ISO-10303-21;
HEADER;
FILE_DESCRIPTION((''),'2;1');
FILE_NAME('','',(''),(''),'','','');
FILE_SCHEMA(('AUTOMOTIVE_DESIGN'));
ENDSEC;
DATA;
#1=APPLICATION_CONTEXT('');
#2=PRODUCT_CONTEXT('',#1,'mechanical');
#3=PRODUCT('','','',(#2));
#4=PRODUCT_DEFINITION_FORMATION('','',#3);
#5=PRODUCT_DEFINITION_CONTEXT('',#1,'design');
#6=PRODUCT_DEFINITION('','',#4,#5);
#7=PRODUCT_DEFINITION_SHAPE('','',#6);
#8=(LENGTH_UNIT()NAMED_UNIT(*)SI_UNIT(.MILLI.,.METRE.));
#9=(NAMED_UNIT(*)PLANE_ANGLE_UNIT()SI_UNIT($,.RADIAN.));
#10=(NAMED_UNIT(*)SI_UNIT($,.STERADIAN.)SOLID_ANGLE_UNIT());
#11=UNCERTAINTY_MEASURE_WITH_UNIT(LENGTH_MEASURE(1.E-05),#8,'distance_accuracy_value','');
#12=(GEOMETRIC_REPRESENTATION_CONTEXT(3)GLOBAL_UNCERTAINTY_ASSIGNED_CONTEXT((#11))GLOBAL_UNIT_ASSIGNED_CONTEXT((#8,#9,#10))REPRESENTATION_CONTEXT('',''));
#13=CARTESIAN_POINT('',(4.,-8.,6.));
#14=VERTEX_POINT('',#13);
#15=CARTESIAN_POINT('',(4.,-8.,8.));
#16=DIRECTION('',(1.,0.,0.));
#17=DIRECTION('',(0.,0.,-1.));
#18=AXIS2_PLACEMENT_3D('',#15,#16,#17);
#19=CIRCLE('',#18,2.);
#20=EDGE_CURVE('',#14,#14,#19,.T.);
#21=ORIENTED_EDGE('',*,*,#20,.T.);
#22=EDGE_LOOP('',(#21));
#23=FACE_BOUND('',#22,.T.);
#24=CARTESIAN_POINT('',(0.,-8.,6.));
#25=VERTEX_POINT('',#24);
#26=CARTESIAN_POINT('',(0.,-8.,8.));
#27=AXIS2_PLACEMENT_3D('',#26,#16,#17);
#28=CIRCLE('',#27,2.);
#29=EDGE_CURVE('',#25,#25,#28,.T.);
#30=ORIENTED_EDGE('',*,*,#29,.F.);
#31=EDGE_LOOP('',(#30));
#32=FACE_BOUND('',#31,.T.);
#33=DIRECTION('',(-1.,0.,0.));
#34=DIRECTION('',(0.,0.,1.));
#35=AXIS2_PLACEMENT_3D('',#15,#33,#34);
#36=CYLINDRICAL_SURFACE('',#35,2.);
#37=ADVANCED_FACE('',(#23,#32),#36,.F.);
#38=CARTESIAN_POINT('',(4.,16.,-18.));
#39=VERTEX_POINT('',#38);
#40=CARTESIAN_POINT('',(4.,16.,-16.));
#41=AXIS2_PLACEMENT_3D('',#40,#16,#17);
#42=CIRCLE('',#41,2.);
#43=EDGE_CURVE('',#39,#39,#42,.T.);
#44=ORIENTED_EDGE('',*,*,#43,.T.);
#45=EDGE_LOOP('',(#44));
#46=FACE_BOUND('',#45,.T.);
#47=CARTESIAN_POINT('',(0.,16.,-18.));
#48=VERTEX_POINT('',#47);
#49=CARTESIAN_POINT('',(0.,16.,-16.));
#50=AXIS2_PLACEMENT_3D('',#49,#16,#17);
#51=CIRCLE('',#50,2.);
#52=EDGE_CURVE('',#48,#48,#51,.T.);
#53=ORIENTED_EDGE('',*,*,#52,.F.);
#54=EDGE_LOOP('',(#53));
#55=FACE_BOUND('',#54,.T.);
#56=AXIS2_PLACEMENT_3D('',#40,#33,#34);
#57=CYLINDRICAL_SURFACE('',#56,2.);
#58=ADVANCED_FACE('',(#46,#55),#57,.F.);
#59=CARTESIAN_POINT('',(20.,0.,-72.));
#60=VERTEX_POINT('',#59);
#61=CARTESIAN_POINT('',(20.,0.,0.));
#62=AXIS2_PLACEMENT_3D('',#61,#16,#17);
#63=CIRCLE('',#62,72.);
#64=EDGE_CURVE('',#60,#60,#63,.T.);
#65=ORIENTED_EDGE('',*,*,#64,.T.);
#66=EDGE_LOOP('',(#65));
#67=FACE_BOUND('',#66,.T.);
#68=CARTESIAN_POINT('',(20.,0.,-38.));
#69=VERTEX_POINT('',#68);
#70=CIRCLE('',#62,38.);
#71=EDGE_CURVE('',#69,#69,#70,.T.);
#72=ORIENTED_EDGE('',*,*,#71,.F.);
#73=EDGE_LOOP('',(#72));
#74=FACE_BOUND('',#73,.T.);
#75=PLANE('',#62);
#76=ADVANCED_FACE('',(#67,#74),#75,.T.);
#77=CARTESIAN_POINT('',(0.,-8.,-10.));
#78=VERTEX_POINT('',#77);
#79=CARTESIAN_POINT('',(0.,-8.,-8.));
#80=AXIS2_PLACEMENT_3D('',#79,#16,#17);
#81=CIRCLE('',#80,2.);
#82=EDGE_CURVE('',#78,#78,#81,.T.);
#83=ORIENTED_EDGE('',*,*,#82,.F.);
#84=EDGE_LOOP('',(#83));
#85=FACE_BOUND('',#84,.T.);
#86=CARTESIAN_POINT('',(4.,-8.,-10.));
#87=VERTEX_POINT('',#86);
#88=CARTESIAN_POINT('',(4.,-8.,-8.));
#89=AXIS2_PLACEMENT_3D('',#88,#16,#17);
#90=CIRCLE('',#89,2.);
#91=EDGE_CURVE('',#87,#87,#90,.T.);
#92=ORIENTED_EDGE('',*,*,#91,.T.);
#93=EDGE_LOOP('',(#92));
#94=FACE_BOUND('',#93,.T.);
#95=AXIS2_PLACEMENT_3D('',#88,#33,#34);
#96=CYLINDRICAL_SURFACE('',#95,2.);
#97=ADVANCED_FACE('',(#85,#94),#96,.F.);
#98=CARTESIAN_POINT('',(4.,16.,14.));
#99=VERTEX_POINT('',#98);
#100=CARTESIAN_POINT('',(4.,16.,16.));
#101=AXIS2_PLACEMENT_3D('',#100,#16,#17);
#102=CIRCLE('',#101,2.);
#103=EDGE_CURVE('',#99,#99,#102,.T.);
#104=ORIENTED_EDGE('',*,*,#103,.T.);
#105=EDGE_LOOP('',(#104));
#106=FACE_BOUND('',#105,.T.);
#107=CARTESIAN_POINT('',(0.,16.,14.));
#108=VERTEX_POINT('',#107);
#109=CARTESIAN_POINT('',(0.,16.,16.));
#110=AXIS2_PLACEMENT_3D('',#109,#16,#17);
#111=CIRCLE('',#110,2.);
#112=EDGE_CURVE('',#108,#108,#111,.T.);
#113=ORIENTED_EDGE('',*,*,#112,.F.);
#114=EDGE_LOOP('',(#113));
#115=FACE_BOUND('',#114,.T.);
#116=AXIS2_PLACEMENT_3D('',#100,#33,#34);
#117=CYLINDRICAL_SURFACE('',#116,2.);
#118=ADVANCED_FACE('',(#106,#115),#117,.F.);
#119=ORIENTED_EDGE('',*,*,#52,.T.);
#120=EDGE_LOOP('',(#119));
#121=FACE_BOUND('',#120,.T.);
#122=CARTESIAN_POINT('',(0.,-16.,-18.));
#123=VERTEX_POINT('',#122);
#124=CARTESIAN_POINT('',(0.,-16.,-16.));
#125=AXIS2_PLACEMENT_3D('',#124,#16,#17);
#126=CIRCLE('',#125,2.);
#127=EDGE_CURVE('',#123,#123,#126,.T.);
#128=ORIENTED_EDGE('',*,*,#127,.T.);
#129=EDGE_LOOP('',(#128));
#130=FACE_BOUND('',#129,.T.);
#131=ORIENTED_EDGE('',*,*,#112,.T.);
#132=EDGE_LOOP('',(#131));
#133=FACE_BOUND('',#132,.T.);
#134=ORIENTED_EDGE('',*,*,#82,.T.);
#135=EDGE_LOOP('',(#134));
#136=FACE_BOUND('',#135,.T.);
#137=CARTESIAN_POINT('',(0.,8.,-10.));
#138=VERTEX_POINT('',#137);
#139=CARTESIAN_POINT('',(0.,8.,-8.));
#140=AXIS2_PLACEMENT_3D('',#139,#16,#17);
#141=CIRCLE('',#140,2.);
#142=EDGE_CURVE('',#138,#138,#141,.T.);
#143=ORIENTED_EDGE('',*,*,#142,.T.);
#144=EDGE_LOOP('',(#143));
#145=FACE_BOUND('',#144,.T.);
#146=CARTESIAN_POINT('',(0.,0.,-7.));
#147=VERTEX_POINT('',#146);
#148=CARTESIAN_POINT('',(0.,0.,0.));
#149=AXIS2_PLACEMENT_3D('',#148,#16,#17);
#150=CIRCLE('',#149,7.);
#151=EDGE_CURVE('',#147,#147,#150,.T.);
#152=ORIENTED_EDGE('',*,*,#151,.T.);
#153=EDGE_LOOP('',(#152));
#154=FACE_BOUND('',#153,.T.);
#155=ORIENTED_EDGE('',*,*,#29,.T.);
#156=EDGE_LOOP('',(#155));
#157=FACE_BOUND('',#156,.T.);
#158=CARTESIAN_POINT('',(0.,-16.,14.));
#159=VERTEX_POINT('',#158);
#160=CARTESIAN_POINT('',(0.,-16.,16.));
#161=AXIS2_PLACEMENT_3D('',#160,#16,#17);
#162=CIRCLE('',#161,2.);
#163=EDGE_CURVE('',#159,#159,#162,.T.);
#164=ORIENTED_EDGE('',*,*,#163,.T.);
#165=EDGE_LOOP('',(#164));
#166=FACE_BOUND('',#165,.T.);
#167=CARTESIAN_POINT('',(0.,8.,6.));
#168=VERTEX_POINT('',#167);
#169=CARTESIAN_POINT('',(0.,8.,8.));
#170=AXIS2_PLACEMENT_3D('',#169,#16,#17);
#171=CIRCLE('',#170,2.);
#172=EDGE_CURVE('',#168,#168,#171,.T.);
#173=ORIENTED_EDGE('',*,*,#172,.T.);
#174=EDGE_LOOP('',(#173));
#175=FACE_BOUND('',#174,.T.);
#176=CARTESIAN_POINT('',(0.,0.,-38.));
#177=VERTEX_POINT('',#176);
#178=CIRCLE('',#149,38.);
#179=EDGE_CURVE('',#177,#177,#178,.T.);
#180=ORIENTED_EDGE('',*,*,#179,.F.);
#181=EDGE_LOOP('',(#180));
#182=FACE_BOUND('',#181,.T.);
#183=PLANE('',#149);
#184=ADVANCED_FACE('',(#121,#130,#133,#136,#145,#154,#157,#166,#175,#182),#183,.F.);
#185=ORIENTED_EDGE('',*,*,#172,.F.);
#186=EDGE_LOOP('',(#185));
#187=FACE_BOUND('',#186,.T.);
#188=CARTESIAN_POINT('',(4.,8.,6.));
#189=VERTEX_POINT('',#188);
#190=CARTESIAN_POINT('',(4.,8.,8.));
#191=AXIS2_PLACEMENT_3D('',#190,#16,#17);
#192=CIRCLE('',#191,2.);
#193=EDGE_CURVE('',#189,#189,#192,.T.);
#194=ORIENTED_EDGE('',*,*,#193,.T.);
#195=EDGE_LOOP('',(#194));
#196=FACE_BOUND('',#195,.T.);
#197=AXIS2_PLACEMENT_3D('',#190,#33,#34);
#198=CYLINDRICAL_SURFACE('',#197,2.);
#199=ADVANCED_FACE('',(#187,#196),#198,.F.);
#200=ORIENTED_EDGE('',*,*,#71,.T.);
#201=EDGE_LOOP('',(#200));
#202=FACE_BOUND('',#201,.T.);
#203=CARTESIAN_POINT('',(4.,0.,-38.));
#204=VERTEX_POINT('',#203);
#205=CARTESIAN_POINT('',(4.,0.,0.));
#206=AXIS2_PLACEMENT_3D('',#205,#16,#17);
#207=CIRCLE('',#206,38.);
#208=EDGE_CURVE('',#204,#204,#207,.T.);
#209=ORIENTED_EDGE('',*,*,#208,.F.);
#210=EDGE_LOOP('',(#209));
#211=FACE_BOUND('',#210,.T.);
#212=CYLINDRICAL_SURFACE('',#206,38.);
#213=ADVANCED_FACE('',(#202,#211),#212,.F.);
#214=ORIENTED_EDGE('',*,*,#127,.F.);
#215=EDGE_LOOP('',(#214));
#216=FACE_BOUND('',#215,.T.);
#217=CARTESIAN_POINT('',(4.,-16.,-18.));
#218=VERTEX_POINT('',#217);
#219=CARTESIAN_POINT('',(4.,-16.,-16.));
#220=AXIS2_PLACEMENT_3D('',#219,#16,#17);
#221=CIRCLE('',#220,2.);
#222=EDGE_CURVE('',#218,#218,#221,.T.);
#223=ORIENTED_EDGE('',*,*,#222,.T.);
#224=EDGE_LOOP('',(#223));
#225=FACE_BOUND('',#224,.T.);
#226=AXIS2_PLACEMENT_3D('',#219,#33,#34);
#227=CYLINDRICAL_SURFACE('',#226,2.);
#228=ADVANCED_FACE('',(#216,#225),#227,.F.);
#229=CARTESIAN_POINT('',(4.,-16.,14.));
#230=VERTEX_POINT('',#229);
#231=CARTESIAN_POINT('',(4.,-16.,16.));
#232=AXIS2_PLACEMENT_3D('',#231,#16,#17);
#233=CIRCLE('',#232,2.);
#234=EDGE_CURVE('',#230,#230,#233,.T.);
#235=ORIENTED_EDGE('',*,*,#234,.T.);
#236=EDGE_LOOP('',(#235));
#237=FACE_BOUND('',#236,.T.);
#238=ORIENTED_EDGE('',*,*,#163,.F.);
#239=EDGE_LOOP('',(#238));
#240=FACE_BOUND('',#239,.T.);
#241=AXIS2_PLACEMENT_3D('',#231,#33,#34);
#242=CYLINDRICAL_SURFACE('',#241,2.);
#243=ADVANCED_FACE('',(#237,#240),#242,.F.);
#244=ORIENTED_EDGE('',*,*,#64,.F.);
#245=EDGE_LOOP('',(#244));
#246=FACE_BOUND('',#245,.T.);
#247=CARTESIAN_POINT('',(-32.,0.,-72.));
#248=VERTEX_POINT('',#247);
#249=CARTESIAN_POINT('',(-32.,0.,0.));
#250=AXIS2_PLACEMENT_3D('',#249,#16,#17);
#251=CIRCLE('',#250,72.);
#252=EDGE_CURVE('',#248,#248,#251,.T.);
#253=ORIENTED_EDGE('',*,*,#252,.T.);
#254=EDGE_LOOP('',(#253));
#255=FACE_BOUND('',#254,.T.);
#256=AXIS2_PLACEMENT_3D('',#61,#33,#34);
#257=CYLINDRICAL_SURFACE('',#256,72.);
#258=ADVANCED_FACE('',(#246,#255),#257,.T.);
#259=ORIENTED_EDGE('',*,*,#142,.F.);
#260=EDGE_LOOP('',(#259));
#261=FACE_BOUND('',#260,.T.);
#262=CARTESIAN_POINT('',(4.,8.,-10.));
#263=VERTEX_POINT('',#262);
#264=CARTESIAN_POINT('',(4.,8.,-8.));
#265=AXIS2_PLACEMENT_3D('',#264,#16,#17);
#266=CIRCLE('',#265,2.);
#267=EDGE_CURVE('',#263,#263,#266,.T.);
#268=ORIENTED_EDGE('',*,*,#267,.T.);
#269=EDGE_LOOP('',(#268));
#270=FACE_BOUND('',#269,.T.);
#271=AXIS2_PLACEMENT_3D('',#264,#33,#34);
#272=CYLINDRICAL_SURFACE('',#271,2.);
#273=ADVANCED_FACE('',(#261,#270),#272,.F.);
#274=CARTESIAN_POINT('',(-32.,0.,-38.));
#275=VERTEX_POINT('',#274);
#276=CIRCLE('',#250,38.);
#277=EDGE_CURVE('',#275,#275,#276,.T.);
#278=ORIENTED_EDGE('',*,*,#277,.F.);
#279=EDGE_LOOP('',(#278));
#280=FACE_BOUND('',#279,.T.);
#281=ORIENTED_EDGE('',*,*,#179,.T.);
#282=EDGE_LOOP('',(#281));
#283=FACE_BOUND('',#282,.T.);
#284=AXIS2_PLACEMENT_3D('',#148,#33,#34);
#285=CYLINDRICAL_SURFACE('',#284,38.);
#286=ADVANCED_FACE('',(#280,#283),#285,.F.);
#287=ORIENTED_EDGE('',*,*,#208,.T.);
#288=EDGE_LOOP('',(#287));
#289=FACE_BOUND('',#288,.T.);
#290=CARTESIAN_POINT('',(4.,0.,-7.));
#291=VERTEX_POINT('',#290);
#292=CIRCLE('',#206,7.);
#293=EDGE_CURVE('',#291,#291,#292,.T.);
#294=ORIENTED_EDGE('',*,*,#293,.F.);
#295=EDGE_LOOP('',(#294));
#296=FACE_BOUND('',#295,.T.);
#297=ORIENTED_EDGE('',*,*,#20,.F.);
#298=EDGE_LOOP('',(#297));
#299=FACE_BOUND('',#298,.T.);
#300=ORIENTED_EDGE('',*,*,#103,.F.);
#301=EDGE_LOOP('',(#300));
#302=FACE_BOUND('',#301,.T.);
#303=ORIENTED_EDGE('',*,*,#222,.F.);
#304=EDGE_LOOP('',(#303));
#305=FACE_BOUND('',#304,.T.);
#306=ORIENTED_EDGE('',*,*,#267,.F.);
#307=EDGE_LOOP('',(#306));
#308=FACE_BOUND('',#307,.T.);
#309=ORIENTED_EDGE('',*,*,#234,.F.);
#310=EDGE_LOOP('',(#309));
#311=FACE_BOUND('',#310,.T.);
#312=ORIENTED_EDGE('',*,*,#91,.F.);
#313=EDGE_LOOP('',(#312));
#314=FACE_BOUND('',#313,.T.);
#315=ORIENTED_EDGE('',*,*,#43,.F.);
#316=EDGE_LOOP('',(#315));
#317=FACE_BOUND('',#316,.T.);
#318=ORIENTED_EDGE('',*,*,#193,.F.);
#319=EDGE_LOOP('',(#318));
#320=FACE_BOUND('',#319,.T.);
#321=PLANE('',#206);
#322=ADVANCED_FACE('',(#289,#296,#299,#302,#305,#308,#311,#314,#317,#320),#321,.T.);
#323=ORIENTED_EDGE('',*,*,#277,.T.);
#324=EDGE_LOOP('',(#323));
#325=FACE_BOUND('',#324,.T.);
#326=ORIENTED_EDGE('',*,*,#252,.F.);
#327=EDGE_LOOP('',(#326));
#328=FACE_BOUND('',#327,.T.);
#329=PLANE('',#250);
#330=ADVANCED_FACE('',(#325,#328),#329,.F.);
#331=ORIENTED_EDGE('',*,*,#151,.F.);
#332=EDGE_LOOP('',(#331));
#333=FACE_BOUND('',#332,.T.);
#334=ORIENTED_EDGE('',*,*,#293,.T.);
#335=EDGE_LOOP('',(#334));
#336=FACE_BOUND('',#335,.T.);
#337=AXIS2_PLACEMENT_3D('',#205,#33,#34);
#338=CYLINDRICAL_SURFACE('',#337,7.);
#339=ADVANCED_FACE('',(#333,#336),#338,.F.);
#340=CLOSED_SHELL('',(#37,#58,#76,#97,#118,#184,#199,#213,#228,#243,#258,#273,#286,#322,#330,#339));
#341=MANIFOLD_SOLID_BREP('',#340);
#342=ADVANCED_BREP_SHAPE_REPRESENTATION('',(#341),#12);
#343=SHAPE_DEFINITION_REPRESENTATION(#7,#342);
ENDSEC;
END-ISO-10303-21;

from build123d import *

# Parameters (mm, degrees)
SK_TYRE_R               = 72
EX_TYRE_DEPTH           = 52
SK_RECESSDEEP_R         = 38
CUT_RECESSDEEP_DEPTH    = 32
CUT_RECESSSHALLOW_START = -16
SK_RECESSSHALLOW_R      = 38
CUT_RECESSSHALLOW_DEPTH = 16
SK_WEBHOLES_R           = 7
SK_WEBHOLES_R_2         = 2
CUT_WEBHOLES_DEPTH      = 4


with BuildPart() as part:
    # SK_Tyre → EX_Tyre (new body)
    with BuildSketch(Plane(origin=(-32, 0, 0), x_dir=(0, 0, -1), z_dir=(1, 0, 0))):
        Circle(SK_TYRE_R)
    extrude(amount=EX_TYRE_DEPTH)

    # SK_RecessDeep → CUT_RecessDeep (cut)
    with BuildSketch(Plane(origin=(-32, 0, 0), x_dir=(0, 0, -1), z_dir=(1, 0, 0))):
        Circle(SK_RECESSDEEP_R)
    extrude(amount=CUT_RECESSDEEP_DEPTH, mode=Mode.SUBTRACT)

    # SK_RecessShallow → CUT_RecessShallow (cut)
    with BuildSketch(Plane(origin=(20, 0, 0), x_dir=(0, 0, -1), z_dir=(1, 0, 0)).offset(CUT_RECESSSHALLOW_START)):
        Circle(SK_RECESSSHALLOW_R)
    extrude(amount=CUT_RECESSSHALLOW_DEPTH, mode=Mode.SUBTRACT)

    # SK_WebHoles → CUT_WebHoles (cut)
    with BuildSketch(Plane(origin=(0, 0, 0), x_dir=(0, 0, -1), z_dir=(1, 0, 0))):
        Circle(SK_WEBHOLES_R)
        with Locations((-8, 8)):
            Circle(SK_WEBHOLES_R_2)
        with Locations((-8, -8)):
            Circle(SK_WEBHOLES_R_2)
        with Locations((8, 8)):
            Circle(SK_WEBHOLES_R_2)
        with Locations((8, -8)):
            Circle(SK_WEBHOLES_R_2)
        with Locations((-16, 16)):
            Circle(SK_WEBHOLES_R_2)
        with Locations((-16, -16)):
            Circle(SK_WEBHOLES_R_2)
        with Locations((16, 16)):
            Circle(SK_WEBHOLES_R_2)
        with Locations((16, -16)):
            Circle(SK_WEBHOLES_R_2)
    extrude(amount=CUT_WEBHOLES_DEPTH, mode=Mode.SUBTRACT)


solid = part.part
